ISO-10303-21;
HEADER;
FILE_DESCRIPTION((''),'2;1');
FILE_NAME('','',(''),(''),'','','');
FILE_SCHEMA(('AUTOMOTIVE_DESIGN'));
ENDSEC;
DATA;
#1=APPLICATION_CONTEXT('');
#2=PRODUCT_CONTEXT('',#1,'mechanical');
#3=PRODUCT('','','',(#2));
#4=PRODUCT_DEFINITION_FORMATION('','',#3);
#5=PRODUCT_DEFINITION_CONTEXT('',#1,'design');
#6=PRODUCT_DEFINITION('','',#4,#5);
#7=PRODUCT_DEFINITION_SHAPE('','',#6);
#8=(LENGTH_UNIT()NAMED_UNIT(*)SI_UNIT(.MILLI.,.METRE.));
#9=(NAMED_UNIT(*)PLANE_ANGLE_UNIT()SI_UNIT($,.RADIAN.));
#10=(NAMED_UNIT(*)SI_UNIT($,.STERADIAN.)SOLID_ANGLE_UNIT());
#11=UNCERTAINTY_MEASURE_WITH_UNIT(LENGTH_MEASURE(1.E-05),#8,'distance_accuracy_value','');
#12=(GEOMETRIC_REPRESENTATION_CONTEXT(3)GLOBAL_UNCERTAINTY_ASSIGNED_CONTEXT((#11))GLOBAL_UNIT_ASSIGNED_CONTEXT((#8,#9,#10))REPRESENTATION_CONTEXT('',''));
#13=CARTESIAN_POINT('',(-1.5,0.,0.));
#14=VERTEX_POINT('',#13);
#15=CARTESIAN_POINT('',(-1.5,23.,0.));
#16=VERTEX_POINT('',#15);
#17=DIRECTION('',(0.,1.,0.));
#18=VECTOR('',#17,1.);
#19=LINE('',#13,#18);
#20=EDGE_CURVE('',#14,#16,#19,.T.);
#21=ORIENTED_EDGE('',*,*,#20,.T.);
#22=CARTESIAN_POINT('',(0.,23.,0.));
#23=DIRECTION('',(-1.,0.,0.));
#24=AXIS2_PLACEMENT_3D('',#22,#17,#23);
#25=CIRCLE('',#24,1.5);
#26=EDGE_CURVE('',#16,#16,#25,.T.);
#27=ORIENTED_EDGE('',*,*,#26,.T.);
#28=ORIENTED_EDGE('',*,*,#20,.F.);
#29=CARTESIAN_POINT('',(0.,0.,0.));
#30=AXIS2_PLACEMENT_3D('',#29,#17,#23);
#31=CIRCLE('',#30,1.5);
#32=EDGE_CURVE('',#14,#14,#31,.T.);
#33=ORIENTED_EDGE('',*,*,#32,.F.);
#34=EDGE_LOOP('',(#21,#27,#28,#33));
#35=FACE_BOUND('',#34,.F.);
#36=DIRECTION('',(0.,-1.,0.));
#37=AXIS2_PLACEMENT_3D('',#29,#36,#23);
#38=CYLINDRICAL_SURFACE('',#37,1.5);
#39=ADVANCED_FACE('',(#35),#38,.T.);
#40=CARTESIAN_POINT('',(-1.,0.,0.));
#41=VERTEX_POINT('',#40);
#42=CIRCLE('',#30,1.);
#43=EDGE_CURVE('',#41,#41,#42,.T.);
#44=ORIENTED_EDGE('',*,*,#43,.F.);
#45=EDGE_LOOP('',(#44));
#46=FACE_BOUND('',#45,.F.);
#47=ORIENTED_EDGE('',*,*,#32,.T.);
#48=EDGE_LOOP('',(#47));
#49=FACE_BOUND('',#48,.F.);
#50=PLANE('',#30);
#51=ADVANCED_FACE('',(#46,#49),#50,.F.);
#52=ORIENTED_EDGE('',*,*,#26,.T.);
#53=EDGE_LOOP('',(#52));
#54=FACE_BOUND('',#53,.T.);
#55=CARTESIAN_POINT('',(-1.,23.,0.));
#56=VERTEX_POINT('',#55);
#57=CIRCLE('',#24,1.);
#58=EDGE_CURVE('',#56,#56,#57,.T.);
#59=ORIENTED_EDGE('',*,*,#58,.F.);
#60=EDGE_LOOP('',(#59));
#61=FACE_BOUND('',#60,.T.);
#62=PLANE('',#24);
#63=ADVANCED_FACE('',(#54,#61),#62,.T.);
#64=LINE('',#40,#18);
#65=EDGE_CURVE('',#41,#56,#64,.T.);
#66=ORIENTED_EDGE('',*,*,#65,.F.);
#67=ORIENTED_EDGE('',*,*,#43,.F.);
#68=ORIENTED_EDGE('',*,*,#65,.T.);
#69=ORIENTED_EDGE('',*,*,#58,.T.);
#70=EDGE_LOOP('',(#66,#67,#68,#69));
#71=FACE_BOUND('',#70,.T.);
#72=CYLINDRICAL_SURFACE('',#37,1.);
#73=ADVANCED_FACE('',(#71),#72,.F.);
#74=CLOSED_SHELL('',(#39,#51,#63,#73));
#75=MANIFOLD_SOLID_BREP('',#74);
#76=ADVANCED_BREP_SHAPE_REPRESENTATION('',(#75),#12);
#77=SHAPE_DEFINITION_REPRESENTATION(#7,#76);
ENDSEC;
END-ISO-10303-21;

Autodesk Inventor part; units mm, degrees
ref_plane "YZ Plane" through (0, 0, 0) normal (1, 0, 0) x (0, 1, 0)
ref_plane "XZ Plane" through (0, 0, 0) normal (0, 1, 0) x (-1, 0, 0)
ref_plane "XY Plane" through (0, 0, 0) normal (0, 0, 1) x (1, 0, 0)
sketch "スケッチ1" plane through (0, 0, 0) normal (0, 1, 0) x (-1, 0, 0)
  circle A0 centre (0, 0) radius 1.5
  circle A1 centre (0, 0) radius 1
  dimension "d0" = 3
  dimension "d1" = 2
extrude "押し出し1" add sketch "スケッチ1" along normal blind 23
properties part number "ceramic_spacer_d3"
